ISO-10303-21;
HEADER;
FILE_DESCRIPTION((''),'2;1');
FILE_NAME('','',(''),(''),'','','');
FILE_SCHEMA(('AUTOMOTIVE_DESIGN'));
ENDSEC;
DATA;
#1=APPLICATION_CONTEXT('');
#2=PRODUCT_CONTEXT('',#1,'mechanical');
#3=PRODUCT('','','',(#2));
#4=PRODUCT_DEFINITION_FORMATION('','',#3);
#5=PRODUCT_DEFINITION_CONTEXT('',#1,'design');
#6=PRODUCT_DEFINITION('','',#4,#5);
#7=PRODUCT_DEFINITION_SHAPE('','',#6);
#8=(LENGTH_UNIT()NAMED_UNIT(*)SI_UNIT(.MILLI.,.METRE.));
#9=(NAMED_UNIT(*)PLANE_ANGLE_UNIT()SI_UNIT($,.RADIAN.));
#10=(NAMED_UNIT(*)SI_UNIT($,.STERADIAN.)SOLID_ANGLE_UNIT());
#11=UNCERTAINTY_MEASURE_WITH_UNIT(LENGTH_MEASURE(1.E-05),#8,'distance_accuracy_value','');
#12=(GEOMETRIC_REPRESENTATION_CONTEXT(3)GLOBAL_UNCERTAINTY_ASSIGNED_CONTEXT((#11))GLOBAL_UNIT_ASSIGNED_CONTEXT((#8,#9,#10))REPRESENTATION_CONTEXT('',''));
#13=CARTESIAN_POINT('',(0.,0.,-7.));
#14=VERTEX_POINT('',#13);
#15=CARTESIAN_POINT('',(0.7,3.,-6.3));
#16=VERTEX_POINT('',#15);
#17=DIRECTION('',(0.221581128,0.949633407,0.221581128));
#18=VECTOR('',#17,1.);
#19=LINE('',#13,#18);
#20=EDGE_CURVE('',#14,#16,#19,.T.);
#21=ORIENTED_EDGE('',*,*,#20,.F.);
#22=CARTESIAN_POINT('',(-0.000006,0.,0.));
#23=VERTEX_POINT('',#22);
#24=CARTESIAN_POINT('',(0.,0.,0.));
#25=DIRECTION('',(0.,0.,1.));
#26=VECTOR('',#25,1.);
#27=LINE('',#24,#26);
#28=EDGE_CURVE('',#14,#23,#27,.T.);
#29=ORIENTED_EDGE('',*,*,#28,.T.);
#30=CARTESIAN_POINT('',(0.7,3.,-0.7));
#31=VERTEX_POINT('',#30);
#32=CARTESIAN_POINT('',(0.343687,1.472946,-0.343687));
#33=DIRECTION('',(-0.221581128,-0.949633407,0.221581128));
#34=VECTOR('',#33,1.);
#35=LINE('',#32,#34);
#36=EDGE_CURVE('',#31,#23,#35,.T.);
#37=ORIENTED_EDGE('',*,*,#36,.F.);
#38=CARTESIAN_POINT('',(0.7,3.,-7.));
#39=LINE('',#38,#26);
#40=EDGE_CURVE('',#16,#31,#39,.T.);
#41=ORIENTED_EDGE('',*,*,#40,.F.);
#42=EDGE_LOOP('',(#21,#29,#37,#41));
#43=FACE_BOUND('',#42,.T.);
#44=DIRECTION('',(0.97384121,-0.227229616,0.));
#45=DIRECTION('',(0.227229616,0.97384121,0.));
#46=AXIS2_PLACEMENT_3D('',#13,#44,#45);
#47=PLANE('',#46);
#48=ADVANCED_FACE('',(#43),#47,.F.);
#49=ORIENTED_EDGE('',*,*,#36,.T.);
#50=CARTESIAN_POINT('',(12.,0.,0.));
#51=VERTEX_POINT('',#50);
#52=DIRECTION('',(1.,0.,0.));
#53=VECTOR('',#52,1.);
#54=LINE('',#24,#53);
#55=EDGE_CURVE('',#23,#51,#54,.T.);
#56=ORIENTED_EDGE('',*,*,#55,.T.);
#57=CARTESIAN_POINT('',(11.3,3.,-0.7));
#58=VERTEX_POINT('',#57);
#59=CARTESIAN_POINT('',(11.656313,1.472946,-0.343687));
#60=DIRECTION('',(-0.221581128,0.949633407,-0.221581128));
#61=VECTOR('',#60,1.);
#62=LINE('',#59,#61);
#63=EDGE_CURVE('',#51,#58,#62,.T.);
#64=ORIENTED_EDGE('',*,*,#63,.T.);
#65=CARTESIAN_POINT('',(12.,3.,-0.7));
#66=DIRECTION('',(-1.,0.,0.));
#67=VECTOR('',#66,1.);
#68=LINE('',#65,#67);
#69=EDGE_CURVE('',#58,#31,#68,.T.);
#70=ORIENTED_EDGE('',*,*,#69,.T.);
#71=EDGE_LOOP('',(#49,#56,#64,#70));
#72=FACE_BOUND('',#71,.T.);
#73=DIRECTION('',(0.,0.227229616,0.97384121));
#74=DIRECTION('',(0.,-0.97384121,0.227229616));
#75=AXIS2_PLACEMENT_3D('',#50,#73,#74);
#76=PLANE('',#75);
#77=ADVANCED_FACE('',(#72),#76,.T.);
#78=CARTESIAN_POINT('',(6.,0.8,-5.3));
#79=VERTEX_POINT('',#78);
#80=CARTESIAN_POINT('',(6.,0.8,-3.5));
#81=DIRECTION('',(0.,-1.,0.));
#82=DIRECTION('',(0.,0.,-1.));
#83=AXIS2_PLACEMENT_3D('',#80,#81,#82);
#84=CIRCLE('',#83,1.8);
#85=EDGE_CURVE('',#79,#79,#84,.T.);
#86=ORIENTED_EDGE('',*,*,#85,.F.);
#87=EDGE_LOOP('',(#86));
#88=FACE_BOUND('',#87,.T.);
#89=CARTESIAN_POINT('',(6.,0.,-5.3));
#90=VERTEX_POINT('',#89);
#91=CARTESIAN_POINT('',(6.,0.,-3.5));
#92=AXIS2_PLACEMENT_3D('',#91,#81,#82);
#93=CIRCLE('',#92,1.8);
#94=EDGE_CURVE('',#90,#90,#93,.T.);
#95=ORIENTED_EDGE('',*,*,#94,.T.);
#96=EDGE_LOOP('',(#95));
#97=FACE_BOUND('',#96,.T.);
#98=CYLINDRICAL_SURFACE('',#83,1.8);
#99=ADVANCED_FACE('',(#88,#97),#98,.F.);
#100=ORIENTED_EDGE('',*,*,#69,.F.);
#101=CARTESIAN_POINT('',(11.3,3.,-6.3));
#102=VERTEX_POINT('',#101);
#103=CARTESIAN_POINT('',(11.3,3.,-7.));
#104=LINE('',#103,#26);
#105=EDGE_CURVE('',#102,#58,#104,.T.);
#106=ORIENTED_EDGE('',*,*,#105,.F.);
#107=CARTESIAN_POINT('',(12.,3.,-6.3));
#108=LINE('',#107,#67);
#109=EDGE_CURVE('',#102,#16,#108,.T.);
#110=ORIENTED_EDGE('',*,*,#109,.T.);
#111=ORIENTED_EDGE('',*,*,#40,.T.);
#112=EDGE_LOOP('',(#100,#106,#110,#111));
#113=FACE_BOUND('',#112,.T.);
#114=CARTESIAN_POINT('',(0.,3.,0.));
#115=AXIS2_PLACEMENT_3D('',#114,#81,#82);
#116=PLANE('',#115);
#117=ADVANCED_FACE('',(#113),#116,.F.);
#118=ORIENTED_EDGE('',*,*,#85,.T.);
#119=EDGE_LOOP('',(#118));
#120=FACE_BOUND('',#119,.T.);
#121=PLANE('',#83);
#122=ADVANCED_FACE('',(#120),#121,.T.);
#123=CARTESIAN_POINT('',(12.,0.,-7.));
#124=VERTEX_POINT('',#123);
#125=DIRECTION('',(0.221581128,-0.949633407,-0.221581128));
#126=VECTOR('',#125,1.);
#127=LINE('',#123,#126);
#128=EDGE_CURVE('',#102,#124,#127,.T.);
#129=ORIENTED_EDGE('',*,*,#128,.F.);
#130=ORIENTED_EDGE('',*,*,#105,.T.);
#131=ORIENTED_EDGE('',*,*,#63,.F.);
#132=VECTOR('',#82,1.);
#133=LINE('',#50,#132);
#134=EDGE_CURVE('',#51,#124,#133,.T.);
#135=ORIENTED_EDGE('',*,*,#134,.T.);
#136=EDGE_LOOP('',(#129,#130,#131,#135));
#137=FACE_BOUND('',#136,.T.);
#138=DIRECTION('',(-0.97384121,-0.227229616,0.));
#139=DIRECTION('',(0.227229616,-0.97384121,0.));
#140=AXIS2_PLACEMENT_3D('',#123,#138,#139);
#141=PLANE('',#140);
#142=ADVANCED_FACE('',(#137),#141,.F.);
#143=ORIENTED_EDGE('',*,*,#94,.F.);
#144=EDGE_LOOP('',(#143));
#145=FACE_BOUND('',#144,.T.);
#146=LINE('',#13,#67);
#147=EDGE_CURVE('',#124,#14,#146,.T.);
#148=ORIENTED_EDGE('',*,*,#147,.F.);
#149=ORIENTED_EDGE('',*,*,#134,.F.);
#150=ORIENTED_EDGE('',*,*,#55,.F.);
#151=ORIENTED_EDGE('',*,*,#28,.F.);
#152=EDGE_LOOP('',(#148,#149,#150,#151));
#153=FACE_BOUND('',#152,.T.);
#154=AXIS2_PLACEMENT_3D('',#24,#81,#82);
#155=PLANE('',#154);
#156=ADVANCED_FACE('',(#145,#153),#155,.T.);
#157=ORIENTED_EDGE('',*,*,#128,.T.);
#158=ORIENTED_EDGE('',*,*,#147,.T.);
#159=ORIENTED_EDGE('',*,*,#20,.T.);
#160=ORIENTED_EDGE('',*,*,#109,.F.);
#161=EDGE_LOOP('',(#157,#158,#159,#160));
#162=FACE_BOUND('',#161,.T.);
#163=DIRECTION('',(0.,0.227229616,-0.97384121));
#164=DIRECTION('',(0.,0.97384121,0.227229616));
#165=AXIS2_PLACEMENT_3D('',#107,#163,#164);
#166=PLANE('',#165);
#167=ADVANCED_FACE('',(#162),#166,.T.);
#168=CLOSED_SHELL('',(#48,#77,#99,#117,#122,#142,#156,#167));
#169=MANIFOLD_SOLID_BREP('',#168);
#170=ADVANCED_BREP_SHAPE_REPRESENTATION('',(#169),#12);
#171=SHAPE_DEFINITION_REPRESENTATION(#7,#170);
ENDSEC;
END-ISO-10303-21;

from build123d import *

# Parameters (mm, degrees)
SKETCH1_W               = 12
SKETCH1_H               = 7
BOSS_EXTRUDE1_DEPTH     = 3
CUT_EXTRUDE1_DEPTH      = 7
CUT_EXTRUDE2_DEPTH      = 15.212670404
CUT_EXTRUDE2_DEPTH_BACK = 15.212670404
SKETCH4_R               = 1.8
CUT_EXTRUDE3_DEPTH      = 0.8


with BuildPart() as part:
    # Sketch1 → Boss-Extrude1 (new body)
    with BuildSketch(Plane(origin=(0, 0, 0), x_dir=(1, 0, 0), z_dir=(0, 1, 0))):
        with Locations((6, 3.5)):
            Rectangle(SKETCH1_W, SKETCH1_H)
    extrude(amount=BOSS_EXTRUDE1_DEPTH)

    # Sketch2 → Cut-Extrude1 (cut)
    with BuildSketch(Plane.XY):
        Polygon((0, 0), (0.7, 3), (0, 3), align=None)
        Polygon((12, 0), (11.3, 3), (12, 3), align=None)
    extrude(amount=-CUT_EXTRUDE1_DEPTH, mode=Mode.SUBTRACT)

    # Sketch3 → Cut-Extrude2 (cut, two sides: drawn at the far end of the back side and taken through both)
    with BuildSketch(Plane(origin=(0, 0, 0), x_dir=(0, 0, -1), z_dir=(1, 0, 0)).offset(-CUT_EXTRUDE2_DEPTH_BACK)):
        Polygon((0, 0), (0.7, 3), (0, 3), align=None)
        Polygon((7, 3), (6.3, 3), (7, 0), align=None)
    extrude(amount=CUT_EXTRUDE2_DEPTH + CUT_EXTRUDE2_DEPTH_BACK, mode=Mode.SUBTRACT)

    # Sketch4 → Cut-Extrude3 (cut)
    with BuildSketch(Plane.XZ):
        with Locations(Location((6, -3.5, 0), (0, 0, 270))):
            Circle(SKETCH4_R)
    extrude(amount=-CUT_EXTRUDE3_DEPTH, mode=Mode.SUBTRACT)


solid = part.part
